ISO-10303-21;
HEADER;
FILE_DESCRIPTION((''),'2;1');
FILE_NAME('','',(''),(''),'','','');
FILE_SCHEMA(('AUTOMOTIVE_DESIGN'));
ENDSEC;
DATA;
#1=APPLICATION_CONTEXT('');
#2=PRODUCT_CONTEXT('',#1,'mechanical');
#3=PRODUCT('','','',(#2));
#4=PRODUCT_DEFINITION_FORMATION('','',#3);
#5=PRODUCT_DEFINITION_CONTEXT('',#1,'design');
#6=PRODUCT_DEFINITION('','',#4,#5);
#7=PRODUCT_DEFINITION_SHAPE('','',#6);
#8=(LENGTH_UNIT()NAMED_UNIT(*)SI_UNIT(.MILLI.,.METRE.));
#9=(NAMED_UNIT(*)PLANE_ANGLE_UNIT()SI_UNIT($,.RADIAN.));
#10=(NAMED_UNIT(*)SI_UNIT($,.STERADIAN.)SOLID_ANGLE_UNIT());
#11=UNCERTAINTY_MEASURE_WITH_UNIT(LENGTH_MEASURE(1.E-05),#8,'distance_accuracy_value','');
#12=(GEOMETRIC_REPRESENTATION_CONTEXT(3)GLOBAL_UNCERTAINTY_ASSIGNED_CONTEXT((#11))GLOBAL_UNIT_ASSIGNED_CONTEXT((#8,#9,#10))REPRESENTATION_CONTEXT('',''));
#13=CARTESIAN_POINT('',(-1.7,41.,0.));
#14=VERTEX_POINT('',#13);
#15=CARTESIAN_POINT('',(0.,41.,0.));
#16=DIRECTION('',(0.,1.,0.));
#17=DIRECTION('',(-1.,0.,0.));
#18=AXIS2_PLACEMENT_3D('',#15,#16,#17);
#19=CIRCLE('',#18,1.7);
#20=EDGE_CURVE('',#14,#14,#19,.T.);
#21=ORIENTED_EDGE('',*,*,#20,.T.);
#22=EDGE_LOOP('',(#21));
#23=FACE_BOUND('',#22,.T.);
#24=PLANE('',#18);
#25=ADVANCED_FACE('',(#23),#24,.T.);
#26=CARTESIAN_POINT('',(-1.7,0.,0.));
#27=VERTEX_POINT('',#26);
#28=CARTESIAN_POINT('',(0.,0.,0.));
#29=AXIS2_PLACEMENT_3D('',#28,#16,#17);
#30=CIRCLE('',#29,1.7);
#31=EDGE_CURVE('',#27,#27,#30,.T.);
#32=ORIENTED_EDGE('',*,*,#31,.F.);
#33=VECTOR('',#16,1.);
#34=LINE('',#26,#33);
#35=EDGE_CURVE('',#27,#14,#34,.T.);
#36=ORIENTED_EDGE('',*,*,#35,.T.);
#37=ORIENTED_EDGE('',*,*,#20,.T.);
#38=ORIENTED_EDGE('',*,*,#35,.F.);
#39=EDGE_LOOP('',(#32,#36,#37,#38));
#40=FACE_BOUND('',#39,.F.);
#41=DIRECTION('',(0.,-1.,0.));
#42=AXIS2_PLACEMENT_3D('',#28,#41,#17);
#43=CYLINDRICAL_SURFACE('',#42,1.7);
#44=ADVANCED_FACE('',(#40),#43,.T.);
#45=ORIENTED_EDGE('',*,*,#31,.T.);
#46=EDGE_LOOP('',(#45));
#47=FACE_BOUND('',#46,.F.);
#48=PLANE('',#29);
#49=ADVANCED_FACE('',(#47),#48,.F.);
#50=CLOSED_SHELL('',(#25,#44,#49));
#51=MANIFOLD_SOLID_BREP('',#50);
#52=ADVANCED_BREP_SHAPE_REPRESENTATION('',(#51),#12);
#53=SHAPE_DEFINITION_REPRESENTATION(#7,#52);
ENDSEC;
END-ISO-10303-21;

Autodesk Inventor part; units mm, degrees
ref_plane "YZ Plane" through (0, 0, 0) normal (1, 0, 0) x (0, 1, 0)
ref_plane "XZ Plane" through (0, 0, 0) normal (0, 1, 0) x (-1, 0, 0)
ref_plane "XY Plane" through (0, 0, 0) normal (0, 0, 1) x (1, 0, 0)
sketch "草圖1" plane through (0, 0, 0) normal (0, 1, 0) x (-1, 0, 0)
  circle A0 centre (0, 0) radius 1.7
  dimension "d0" = 3.4
extrude "擠出1" add sketch "草圖1" along normal blind 41
sketch "草圖2" plane through (0, 0, 0) normal (0, -1, 0) x (1, 0, 0)
  point P0 (0, 0)
properties part number "110033226_ipt_50_船屋圓柱"
